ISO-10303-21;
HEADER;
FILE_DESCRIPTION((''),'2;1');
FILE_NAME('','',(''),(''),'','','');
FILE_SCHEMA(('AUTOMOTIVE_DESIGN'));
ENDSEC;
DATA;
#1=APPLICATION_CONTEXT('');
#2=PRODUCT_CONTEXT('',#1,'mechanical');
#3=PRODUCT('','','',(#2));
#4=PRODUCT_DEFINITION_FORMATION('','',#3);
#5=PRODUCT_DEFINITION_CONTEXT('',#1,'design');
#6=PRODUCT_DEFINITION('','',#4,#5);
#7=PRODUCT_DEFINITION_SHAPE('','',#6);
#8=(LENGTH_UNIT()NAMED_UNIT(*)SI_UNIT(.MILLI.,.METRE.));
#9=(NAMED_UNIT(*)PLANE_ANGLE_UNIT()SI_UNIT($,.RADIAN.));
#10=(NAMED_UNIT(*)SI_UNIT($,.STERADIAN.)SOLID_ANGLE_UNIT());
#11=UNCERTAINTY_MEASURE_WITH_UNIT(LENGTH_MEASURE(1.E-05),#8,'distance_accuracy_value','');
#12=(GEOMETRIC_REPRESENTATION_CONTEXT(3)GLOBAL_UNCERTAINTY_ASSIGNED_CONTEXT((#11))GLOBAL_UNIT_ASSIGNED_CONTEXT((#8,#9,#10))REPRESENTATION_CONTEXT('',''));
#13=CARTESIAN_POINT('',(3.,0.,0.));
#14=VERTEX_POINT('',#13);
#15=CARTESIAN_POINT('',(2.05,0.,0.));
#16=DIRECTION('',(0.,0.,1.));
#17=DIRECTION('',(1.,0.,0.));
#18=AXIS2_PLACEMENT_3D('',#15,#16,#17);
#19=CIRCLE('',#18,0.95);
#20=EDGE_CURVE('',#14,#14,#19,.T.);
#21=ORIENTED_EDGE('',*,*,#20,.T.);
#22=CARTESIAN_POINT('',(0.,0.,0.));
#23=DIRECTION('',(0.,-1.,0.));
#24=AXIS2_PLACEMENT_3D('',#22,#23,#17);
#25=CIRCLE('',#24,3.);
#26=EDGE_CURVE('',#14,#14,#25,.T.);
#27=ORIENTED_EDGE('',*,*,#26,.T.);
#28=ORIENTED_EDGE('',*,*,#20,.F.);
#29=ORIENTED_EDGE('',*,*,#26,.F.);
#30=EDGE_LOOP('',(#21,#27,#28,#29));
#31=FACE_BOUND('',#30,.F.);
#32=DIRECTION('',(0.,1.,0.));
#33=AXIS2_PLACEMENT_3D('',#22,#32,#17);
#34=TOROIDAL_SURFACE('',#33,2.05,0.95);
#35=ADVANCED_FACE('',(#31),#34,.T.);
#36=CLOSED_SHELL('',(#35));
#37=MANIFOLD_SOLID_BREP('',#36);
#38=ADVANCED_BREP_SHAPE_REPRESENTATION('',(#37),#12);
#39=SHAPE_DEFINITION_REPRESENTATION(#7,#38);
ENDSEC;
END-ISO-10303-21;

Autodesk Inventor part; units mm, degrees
ref_plane "YZ Plane" through (0, 0, 0) normal (1, 0, 0) x (0, 1, 0)
ref_plane "XZ Plane" through (0, 0, 0) normal (0, 1, 0) x (-1, 0, 0)
ref_plane "XY Plane" through (0, 0, 0) normal (0, 0, 1) x (1, 0, 0)
sketch "Sketch1" plane through (0, 0, 0) normal (0, 0, 1) x (1, 0, 0)
  line L0 (0, 1.1669) -> (0, 0) construction
  line L1 (0, 0) -> (2.05, 0) construction
  circle A0 centre (2.05, 0) radius 0.95
  line L2 (1.1, 0.4543) -> (1.1, -0.4265) construction
  line L3 (3, 0.4162) -> (3, -0.4265) construction
  dimension "d0" = 1.9
  dimension "d3" = 3
revolve "Revolution1" add sketch "Sketch1" angle 360 about axis through (0, 1.1669, 0) along (0, -1, 0)
properties part number "oring_2x6"
